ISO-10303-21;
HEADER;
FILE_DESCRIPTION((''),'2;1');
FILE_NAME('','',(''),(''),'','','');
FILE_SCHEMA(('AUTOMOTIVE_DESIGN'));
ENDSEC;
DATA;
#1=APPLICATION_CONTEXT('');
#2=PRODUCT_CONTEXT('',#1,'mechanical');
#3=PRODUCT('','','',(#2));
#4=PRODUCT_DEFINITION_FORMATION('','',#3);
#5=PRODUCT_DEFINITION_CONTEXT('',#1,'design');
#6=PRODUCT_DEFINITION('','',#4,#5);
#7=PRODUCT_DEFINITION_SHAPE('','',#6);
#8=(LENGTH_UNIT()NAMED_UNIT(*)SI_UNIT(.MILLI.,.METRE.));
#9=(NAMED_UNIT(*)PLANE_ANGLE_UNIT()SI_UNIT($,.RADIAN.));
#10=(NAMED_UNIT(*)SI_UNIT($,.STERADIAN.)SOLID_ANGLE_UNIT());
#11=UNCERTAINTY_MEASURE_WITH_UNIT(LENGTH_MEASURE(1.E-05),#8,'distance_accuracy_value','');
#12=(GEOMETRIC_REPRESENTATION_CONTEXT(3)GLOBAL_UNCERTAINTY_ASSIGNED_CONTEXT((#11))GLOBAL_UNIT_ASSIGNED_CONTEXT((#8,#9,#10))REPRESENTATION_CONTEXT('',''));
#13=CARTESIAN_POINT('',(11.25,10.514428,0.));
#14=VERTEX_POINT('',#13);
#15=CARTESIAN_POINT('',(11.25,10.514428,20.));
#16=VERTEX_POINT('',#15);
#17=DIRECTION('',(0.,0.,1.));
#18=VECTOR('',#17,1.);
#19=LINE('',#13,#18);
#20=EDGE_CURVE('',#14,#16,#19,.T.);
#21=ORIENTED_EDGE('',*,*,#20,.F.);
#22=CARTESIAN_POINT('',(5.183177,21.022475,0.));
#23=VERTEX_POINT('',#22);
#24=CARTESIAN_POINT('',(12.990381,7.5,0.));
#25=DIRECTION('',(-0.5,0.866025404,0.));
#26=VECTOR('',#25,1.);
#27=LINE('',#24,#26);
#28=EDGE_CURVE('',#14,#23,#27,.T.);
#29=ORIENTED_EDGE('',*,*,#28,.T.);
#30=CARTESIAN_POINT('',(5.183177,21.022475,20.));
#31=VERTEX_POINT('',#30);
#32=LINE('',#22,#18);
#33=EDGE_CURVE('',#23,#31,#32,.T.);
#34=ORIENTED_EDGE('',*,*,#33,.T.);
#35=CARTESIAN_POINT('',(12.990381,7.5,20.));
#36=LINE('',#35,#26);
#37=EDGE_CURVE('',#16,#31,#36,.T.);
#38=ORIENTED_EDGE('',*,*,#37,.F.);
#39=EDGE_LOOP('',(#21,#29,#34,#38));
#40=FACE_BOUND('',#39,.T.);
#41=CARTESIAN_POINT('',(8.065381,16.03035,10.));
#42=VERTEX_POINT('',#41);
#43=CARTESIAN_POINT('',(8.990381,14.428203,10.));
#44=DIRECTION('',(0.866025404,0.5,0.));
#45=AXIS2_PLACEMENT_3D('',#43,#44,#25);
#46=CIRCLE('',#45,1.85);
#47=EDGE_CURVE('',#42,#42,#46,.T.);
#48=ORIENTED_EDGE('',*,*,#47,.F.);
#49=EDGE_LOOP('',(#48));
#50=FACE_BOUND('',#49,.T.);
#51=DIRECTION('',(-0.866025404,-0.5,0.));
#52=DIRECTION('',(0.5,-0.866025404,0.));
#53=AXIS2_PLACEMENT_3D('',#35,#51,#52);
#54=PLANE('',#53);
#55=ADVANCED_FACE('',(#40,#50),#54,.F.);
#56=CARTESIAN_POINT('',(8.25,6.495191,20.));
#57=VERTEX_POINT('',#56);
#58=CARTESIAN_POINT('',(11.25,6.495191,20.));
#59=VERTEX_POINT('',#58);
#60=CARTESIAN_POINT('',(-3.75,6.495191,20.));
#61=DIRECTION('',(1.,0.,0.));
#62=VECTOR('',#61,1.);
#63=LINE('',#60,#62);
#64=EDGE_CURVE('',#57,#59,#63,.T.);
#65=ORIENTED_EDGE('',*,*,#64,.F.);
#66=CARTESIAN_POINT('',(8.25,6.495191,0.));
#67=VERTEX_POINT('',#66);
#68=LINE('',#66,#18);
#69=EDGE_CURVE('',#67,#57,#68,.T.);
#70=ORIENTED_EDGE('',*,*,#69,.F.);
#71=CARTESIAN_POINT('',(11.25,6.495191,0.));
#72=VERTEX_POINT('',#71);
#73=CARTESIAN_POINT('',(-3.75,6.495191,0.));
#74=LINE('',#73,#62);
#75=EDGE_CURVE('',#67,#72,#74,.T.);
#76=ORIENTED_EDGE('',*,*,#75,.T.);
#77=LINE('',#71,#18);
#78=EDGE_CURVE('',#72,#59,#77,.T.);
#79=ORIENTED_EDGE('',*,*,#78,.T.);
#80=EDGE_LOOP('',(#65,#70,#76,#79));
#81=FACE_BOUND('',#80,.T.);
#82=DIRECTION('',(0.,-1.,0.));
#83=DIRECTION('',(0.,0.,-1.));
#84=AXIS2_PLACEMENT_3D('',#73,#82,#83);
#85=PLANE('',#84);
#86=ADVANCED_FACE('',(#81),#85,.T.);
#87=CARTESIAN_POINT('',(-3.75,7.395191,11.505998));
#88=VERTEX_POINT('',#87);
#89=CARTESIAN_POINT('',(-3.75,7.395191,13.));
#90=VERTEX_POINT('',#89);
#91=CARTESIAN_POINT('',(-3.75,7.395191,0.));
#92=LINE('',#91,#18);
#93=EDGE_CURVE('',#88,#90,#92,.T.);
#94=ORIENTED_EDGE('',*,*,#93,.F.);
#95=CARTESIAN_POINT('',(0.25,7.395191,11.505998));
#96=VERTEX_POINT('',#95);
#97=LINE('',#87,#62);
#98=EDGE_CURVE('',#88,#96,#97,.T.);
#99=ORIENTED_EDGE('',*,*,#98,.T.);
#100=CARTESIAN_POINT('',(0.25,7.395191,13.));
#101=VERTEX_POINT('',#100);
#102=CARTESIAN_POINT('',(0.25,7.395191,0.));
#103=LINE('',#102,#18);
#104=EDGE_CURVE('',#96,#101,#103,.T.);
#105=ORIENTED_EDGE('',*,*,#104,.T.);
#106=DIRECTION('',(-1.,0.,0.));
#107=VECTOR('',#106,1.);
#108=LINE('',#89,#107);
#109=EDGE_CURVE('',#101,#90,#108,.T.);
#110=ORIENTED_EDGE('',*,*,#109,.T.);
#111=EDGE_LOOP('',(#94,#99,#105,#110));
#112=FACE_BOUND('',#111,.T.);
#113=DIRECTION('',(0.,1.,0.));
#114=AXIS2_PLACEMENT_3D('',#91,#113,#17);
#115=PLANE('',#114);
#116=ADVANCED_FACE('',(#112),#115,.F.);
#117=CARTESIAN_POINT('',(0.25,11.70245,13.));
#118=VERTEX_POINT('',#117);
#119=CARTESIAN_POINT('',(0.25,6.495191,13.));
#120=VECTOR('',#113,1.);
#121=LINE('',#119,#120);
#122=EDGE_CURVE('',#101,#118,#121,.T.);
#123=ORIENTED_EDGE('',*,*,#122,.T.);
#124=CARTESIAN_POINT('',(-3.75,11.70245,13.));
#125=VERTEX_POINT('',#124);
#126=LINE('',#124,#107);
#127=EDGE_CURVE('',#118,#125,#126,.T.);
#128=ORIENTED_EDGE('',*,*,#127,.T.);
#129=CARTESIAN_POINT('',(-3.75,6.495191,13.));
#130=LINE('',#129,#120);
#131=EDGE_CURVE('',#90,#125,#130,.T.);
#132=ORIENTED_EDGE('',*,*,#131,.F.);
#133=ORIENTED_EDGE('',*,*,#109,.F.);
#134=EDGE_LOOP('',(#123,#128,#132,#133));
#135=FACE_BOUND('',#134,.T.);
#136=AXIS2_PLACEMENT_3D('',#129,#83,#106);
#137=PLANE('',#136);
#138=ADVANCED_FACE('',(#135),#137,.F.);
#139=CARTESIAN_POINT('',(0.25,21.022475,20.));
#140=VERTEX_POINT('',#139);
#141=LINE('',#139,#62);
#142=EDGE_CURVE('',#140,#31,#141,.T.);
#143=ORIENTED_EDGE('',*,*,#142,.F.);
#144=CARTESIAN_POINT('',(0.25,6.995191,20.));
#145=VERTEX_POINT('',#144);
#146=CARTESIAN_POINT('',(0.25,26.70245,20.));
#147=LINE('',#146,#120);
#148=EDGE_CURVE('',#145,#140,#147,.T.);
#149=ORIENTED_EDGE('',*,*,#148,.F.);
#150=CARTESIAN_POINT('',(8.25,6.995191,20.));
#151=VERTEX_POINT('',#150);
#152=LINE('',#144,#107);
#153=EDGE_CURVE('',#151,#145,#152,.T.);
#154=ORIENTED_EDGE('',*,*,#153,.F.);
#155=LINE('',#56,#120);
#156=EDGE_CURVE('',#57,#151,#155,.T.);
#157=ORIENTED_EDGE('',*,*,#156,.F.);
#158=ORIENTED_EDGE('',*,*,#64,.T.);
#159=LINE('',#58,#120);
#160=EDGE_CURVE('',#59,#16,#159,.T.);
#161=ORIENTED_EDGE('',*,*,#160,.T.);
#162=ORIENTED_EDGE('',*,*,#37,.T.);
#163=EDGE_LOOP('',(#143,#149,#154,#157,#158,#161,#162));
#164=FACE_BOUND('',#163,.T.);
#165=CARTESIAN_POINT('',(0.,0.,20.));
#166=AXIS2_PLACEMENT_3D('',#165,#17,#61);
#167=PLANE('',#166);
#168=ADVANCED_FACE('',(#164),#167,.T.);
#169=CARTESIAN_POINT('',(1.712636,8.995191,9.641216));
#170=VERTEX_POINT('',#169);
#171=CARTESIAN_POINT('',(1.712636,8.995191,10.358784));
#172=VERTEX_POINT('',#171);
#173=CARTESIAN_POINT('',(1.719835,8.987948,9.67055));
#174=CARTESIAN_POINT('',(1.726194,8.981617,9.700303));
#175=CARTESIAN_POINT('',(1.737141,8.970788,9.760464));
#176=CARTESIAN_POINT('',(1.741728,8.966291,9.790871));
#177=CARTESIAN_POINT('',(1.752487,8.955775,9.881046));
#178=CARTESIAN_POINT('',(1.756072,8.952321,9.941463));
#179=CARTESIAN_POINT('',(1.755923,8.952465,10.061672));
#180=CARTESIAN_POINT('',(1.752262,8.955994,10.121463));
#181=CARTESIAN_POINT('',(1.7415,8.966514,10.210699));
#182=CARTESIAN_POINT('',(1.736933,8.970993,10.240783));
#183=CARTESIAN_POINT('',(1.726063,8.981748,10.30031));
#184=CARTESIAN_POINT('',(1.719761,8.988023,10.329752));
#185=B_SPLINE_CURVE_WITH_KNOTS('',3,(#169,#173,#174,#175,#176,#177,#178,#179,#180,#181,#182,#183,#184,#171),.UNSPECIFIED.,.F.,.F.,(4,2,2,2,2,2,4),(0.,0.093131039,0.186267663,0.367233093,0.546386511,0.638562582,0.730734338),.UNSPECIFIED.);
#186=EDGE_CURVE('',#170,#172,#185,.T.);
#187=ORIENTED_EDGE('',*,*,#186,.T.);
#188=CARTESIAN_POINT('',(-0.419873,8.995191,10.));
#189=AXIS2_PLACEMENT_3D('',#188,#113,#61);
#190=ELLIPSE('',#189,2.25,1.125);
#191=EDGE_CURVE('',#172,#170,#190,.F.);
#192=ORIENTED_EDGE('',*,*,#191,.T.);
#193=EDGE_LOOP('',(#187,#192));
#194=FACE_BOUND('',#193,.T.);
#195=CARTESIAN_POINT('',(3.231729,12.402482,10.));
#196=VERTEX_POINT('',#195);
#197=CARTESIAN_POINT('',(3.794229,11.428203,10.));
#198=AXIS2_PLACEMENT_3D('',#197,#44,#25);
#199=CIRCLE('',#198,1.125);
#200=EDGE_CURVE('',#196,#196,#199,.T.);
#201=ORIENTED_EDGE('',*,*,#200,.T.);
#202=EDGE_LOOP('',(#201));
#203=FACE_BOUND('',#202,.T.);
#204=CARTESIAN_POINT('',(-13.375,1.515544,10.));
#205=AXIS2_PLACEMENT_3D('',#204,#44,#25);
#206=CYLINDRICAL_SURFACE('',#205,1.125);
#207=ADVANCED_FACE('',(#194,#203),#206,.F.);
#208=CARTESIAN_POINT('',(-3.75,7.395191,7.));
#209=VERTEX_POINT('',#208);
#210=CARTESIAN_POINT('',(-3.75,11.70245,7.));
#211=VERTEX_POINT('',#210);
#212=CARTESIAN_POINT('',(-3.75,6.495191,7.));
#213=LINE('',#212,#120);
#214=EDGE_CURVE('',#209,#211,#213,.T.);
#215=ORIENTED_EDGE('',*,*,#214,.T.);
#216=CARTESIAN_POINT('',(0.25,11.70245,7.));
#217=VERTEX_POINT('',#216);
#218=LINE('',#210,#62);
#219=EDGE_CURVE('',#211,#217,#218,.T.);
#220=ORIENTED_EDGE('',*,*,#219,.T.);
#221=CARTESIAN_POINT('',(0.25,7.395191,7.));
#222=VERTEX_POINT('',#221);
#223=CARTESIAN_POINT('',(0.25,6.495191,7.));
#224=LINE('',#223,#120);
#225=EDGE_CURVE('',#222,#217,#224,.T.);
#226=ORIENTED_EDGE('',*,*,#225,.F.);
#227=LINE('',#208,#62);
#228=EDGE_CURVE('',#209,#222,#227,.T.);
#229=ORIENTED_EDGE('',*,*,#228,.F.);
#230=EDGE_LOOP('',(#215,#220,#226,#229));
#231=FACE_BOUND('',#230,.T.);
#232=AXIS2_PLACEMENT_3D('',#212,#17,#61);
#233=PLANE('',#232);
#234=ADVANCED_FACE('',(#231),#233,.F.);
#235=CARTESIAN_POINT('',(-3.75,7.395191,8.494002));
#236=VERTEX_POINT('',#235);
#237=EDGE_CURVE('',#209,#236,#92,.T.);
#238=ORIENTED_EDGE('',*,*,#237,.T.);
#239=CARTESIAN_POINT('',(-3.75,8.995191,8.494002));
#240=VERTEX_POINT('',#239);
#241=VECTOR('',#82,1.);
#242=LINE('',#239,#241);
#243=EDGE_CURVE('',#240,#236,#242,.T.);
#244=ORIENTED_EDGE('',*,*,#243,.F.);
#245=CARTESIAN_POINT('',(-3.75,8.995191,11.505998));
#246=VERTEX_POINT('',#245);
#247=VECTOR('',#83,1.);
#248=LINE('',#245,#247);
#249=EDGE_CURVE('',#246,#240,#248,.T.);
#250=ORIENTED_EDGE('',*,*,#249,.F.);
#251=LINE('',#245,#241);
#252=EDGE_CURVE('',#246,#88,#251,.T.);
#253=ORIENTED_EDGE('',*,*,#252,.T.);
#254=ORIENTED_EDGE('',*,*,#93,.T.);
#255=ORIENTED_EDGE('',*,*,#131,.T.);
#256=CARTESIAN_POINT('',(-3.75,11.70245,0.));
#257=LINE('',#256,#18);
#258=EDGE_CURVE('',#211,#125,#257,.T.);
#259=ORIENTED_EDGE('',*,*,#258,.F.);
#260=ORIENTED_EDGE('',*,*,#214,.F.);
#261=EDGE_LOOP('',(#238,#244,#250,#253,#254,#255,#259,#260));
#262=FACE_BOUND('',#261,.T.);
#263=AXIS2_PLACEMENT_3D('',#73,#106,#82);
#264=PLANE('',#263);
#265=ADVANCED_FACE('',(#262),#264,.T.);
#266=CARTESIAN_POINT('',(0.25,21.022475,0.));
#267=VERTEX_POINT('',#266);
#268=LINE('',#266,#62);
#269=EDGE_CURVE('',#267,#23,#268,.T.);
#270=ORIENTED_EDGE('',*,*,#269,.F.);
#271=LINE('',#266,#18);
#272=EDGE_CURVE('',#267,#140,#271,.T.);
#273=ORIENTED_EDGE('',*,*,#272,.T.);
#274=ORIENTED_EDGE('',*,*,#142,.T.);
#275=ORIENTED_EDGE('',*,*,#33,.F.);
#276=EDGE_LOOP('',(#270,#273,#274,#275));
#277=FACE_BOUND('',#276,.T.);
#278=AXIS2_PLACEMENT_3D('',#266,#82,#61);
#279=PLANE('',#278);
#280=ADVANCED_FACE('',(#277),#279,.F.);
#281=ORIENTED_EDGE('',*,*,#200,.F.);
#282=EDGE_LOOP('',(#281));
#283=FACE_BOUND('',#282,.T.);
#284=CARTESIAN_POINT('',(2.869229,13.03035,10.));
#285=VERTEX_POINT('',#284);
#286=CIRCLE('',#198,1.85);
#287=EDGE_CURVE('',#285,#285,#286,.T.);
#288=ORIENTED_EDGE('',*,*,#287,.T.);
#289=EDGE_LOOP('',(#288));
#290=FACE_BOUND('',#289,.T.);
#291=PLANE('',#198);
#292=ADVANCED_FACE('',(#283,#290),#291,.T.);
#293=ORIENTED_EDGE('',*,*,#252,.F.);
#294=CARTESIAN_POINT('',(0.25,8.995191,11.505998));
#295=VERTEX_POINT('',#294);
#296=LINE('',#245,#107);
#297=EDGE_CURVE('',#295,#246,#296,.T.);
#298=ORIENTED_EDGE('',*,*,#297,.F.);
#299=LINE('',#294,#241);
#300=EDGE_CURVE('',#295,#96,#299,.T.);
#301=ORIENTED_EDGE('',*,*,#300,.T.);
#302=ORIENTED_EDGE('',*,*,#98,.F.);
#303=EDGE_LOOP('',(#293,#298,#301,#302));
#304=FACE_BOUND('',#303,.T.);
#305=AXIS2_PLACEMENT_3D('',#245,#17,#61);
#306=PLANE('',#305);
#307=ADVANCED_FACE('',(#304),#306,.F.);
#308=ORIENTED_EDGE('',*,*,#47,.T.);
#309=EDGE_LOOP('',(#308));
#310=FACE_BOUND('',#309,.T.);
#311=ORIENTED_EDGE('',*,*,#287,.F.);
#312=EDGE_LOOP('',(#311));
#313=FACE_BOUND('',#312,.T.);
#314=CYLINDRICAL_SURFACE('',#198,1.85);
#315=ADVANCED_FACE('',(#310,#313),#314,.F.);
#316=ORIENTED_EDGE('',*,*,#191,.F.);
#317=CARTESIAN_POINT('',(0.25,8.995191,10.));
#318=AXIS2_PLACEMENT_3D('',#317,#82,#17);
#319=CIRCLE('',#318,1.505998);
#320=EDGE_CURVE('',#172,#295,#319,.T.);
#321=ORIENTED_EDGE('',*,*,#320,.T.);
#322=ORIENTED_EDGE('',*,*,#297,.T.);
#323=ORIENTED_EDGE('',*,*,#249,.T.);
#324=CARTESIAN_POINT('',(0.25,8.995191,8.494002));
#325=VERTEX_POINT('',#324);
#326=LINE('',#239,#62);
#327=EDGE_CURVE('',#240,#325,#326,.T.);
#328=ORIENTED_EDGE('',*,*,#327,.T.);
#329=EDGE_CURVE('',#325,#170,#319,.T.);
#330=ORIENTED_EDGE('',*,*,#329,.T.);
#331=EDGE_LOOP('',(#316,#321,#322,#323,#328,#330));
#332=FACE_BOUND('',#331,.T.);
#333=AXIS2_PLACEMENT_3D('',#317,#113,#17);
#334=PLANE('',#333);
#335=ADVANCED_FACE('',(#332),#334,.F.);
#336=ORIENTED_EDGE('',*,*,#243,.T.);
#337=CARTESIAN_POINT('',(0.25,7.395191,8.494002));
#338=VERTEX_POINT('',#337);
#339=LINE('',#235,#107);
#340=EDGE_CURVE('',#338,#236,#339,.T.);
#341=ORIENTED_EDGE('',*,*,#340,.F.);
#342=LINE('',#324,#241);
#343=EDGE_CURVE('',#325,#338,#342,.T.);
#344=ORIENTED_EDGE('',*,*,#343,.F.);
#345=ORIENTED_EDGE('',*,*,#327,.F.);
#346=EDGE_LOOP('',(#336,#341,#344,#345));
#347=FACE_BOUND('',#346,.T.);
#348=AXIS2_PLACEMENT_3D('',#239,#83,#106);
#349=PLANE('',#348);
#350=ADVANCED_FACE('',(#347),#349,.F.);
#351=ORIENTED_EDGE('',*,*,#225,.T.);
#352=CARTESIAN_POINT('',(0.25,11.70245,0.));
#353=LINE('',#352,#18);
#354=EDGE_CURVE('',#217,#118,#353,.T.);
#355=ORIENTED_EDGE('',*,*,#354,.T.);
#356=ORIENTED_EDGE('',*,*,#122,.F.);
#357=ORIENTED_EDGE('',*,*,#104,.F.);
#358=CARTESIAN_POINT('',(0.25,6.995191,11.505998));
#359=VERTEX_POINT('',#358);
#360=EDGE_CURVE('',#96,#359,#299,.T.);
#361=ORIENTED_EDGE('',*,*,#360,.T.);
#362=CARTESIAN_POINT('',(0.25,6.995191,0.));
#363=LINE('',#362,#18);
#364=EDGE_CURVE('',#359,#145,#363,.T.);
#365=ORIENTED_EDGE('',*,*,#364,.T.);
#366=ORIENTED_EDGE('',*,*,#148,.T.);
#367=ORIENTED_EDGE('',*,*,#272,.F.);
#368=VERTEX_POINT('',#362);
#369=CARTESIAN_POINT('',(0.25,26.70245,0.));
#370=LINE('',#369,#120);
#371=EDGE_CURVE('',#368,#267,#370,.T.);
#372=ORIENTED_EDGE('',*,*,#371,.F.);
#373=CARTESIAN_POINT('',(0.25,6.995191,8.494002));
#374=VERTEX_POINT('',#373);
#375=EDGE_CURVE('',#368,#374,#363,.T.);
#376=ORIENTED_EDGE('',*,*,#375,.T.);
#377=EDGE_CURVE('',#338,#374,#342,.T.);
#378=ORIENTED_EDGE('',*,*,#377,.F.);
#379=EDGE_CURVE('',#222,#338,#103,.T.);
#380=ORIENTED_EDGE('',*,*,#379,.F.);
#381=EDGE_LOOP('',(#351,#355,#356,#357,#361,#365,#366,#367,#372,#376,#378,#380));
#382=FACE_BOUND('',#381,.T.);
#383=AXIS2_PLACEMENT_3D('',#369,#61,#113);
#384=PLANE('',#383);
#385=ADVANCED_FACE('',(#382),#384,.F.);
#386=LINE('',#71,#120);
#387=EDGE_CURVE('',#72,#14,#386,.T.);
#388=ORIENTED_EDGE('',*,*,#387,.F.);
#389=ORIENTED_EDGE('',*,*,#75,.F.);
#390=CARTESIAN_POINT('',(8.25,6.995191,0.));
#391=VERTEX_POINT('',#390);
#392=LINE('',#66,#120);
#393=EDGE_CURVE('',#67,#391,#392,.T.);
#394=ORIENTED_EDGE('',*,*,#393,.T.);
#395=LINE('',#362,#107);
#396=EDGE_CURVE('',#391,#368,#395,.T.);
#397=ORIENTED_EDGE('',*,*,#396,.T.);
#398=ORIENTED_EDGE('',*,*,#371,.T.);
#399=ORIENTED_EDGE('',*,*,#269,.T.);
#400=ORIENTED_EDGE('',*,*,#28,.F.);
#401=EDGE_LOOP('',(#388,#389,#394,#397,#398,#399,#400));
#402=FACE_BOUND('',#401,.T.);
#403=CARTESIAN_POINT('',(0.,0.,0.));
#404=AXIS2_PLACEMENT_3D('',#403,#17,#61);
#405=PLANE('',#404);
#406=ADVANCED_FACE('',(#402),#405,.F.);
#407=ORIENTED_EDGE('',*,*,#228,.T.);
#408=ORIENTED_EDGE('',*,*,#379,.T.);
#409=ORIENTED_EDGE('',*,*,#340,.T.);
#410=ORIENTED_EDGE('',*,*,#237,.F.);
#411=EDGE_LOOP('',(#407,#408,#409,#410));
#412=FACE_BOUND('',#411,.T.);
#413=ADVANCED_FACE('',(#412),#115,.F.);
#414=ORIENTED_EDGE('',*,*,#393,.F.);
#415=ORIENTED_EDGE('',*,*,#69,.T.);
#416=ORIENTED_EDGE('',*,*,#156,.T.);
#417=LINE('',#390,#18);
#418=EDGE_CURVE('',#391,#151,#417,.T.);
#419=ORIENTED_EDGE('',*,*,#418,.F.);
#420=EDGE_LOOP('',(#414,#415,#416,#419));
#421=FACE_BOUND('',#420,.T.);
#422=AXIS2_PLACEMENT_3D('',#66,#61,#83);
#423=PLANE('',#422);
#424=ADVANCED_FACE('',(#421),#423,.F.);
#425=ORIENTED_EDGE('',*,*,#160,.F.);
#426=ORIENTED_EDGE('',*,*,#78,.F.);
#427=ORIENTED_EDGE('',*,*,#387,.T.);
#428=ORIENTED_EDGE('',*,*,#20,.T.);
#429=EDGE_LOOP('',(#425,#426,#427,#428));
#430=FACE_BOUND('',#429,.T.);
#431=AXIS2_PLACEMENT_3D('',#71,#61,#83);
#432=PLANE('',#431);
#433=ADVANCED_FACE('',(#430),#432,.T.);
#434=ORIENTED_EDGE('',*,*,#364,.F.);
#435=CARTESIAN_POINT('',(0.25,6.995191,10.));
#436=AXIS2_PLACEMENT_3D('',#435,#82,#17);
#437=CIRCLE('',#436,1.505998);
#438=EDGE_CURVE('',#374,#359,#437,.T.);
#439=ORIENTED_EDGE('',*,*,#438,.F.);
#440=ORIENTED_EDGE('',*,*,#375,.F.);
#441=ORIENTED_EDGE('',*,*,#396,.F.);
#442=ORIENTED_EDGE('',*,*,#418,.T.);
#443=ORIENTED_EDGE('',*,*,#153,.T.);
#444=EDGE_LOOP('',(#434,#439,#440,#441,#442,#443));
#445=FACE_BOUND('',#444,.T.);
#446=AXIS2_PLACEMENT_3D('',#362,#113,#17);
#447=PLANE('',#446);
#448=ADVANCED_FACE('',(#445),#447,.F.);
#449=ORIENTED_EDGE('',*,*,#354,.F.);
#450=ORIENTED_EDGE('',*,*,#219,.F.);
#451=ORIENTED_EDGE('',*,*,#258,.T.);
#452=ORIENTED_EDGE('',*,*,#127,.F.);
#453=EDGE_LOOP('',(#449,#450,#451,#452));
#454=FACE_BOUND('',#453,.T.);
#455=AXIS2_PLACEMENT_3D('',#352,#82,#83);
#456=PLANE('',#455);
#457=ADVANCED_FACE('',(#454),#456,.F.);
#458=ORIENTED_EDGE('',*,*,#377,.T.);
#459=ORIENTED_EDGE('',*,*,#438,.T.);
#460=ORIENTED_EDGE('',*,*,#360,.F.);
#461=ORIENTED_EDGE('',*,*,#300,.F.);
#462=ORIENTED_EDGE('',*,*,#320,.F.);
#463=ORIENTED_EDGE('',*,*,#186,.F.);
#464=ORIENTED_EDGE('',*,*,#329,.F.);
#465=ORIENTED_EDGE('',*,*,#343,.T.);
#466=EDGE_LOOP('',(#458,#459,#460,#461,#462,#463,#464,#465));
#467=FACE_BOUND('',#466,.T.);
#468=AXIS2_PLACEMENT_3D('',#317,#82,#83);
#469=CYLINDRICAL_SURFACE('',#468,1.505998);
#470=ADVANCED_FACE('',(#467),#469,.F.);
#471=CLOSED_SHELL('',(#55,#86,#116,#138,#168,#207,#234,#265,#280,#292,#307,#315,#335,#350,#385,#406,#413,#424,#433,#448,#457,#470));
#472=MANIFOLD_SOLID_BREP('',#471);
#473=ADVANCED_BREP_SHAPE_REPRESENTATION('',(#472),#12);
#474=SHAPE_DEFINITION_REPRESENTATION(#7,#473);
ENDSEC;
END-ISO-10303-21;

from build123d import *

# Parameters (mm, degrees)
EXTRUDE_1_DEPTH     = 20
SKETCH_2_R          = 1.85
CUT_EXTRUDE_1_DEPTH = 6
SKETCH_3_R          = 1.125
CUT_EXTRUDE_2_DEPTH = 20.825317547
SKETCH_4_OUTSIDE_W  = 36.206
SKETCH_4_OUTSIDE_H  = 39.867
CUT_EXTRUDE_3_DEPTH = 21
SKETCH_5_W          = 4
SKETCH_5_H          = 15
SKETCH_5_H_2        = 0.9
CUT_EXTRUDE_4_DEPTH = 21
SKETCH_6_W          = 4
SKETCH_6_H          = 7
CUT_EXTRUDE_5_DEPTH = 6.207259422
SKETCH_7_W          = 8
SKETCH_7_H          = 0.5
CUT_EXTRUDE_6_DEPTH = 21
CUT_EXTRUDE_7_DEPTH = 2


with BuildPart() as part:
    # Эскиз1 → Бобышка-Вытянуть1 (new body)
    with BuildSketch(Plane.XY):
        Polygon((-12.5, 21.650635095), (0, 0), (12.990381057, 7.5), (0.490381057, 29.150635095), align=None)
    extrude(amount=EXTRUDE_1_DEPTH)

    # Эскиз2 → Вырез-Вытянуть1 (cut)
    with BuildSketch(Plane(origin=(12.990381057, 7.5, 0), x_dir=(0, 0, -1), z_dir=(0.866025404, 0.5, 0))):
        with Locations((-10, 8)):
            Circle(SKETCH_2_R)
    extrude(amount=-CUT_EXTRUDE_1_DEPTH, mode=Mode.SUBTRACT)

    # Эскиз3 → Вырез-Вытянуть2 (cut, through all)
    with BuildSketch(Plane(origin=(7.794228634, 4.5, 0), x_dir=(0, 0, -1), z_dir=(0.866025404, 0.5, 0))):
        with Locations((-10, 8)):
            Circle(SKETCH_3_R)
    extrude(amount=-CUT_EXTRUDE_2_DEPTH, mode=Mode.SUBTRACT)

    # Эскиз4 outside → Вырез-Вытянуть3 (cut, through all)
    with BuildSketch(Plane.XY.offset(20)):
        with Locations((0.245, 14.5755)):
            Rectangle(SKETCH_4_OUTSIDE_W, SKETCH_4_OUTSIDE_H)
        Polygon((-3.75, 6.495190528), (11.25, 6.495190528), (11.25, 10.514428415), (1.903841409, 26.70244995), (-3.75, 26.70244995), align=None, mode=Mode.SUBTRACT)
    extrude(amount=-CUT_EXTRUDE_3_DEPTH, mode=Mode.SUBTRACT)

    # Эскиз5 → Вырез-Вытянуть4 (cut, through all)
    with BuildSketch(Plane.XY.offset(20)):
        with Locations((-1.75, 19.20244995)):
            Rectangle(SKETCH_5_W, SKETCH_5_H)
        with Locations((-1.75, 6.945190528)):
            Rectangle(SKETCH_5_W, SKETCH_5_H_2)
    extrude(amount=-CUT_EXTRUDE_4_DEPTH, mode=Mode.SUBTRACT)

    # Эскиз6 → Вырез-Вытянуть5 (cut, through all)
    with BuildSketch(Plane(origin=(0, 11.70244995, 0), x_dir=(1, 0, 0), z_dir=(0, 1, 0))):
        with Locations((-1.75, -16.5)):
            Rectangle(SKETCH_6_W, SKETCH_6_H)
        with Locations((-1.75, -3.5)):
            Rectangle(SKETCH_6_W, SKETCH_6_H)
    extrude(amount=-CUT_EXTRUDE_5_DEPTH, mode=Mode.SUBTRACT)

    # Эскиз7 → Вырез-Вытянуть6 (cut, through all)
    with BuildSketch(Plane.XY.offset(20)):
        Polygon((0.25, 21.022474586), (5.183176715, 21.022474586), (1.903841409, 26.70244995), (0.25, 26.70244995), align=None)
        with Locations((4.25, 6.745190528)):
            Rectangle(SKETCH_7_W, SKETCH_7_H)
    extrude(amount=-CUT_EXTRUDE_6_DEPTH, mode=Mode.SUBTRACT)

    # Эскиз8 → Вырез-Вытянуть7 (cut)
    with BuildSketch(Plane.XZ.offset(-6.995190528)):
        with BuildLine():
            Line((-3.75, 11.505998369), (0.25, 11.505998369))
            ThreePointArc((0.25, 11.505998369), (1.755998369, 10), (0.25, 8.494001631))
            Line((0.25, 8.494001631), (-3.75, 8.494001631))
            Line((-3.75, 8.494001631), (-3.75, 11.505998369))
        make_face()
    extrude(amount=-CUT_EXTRUDE_7_DEPTH, mode=Mode.SUBTRACT)


solid = part.part
